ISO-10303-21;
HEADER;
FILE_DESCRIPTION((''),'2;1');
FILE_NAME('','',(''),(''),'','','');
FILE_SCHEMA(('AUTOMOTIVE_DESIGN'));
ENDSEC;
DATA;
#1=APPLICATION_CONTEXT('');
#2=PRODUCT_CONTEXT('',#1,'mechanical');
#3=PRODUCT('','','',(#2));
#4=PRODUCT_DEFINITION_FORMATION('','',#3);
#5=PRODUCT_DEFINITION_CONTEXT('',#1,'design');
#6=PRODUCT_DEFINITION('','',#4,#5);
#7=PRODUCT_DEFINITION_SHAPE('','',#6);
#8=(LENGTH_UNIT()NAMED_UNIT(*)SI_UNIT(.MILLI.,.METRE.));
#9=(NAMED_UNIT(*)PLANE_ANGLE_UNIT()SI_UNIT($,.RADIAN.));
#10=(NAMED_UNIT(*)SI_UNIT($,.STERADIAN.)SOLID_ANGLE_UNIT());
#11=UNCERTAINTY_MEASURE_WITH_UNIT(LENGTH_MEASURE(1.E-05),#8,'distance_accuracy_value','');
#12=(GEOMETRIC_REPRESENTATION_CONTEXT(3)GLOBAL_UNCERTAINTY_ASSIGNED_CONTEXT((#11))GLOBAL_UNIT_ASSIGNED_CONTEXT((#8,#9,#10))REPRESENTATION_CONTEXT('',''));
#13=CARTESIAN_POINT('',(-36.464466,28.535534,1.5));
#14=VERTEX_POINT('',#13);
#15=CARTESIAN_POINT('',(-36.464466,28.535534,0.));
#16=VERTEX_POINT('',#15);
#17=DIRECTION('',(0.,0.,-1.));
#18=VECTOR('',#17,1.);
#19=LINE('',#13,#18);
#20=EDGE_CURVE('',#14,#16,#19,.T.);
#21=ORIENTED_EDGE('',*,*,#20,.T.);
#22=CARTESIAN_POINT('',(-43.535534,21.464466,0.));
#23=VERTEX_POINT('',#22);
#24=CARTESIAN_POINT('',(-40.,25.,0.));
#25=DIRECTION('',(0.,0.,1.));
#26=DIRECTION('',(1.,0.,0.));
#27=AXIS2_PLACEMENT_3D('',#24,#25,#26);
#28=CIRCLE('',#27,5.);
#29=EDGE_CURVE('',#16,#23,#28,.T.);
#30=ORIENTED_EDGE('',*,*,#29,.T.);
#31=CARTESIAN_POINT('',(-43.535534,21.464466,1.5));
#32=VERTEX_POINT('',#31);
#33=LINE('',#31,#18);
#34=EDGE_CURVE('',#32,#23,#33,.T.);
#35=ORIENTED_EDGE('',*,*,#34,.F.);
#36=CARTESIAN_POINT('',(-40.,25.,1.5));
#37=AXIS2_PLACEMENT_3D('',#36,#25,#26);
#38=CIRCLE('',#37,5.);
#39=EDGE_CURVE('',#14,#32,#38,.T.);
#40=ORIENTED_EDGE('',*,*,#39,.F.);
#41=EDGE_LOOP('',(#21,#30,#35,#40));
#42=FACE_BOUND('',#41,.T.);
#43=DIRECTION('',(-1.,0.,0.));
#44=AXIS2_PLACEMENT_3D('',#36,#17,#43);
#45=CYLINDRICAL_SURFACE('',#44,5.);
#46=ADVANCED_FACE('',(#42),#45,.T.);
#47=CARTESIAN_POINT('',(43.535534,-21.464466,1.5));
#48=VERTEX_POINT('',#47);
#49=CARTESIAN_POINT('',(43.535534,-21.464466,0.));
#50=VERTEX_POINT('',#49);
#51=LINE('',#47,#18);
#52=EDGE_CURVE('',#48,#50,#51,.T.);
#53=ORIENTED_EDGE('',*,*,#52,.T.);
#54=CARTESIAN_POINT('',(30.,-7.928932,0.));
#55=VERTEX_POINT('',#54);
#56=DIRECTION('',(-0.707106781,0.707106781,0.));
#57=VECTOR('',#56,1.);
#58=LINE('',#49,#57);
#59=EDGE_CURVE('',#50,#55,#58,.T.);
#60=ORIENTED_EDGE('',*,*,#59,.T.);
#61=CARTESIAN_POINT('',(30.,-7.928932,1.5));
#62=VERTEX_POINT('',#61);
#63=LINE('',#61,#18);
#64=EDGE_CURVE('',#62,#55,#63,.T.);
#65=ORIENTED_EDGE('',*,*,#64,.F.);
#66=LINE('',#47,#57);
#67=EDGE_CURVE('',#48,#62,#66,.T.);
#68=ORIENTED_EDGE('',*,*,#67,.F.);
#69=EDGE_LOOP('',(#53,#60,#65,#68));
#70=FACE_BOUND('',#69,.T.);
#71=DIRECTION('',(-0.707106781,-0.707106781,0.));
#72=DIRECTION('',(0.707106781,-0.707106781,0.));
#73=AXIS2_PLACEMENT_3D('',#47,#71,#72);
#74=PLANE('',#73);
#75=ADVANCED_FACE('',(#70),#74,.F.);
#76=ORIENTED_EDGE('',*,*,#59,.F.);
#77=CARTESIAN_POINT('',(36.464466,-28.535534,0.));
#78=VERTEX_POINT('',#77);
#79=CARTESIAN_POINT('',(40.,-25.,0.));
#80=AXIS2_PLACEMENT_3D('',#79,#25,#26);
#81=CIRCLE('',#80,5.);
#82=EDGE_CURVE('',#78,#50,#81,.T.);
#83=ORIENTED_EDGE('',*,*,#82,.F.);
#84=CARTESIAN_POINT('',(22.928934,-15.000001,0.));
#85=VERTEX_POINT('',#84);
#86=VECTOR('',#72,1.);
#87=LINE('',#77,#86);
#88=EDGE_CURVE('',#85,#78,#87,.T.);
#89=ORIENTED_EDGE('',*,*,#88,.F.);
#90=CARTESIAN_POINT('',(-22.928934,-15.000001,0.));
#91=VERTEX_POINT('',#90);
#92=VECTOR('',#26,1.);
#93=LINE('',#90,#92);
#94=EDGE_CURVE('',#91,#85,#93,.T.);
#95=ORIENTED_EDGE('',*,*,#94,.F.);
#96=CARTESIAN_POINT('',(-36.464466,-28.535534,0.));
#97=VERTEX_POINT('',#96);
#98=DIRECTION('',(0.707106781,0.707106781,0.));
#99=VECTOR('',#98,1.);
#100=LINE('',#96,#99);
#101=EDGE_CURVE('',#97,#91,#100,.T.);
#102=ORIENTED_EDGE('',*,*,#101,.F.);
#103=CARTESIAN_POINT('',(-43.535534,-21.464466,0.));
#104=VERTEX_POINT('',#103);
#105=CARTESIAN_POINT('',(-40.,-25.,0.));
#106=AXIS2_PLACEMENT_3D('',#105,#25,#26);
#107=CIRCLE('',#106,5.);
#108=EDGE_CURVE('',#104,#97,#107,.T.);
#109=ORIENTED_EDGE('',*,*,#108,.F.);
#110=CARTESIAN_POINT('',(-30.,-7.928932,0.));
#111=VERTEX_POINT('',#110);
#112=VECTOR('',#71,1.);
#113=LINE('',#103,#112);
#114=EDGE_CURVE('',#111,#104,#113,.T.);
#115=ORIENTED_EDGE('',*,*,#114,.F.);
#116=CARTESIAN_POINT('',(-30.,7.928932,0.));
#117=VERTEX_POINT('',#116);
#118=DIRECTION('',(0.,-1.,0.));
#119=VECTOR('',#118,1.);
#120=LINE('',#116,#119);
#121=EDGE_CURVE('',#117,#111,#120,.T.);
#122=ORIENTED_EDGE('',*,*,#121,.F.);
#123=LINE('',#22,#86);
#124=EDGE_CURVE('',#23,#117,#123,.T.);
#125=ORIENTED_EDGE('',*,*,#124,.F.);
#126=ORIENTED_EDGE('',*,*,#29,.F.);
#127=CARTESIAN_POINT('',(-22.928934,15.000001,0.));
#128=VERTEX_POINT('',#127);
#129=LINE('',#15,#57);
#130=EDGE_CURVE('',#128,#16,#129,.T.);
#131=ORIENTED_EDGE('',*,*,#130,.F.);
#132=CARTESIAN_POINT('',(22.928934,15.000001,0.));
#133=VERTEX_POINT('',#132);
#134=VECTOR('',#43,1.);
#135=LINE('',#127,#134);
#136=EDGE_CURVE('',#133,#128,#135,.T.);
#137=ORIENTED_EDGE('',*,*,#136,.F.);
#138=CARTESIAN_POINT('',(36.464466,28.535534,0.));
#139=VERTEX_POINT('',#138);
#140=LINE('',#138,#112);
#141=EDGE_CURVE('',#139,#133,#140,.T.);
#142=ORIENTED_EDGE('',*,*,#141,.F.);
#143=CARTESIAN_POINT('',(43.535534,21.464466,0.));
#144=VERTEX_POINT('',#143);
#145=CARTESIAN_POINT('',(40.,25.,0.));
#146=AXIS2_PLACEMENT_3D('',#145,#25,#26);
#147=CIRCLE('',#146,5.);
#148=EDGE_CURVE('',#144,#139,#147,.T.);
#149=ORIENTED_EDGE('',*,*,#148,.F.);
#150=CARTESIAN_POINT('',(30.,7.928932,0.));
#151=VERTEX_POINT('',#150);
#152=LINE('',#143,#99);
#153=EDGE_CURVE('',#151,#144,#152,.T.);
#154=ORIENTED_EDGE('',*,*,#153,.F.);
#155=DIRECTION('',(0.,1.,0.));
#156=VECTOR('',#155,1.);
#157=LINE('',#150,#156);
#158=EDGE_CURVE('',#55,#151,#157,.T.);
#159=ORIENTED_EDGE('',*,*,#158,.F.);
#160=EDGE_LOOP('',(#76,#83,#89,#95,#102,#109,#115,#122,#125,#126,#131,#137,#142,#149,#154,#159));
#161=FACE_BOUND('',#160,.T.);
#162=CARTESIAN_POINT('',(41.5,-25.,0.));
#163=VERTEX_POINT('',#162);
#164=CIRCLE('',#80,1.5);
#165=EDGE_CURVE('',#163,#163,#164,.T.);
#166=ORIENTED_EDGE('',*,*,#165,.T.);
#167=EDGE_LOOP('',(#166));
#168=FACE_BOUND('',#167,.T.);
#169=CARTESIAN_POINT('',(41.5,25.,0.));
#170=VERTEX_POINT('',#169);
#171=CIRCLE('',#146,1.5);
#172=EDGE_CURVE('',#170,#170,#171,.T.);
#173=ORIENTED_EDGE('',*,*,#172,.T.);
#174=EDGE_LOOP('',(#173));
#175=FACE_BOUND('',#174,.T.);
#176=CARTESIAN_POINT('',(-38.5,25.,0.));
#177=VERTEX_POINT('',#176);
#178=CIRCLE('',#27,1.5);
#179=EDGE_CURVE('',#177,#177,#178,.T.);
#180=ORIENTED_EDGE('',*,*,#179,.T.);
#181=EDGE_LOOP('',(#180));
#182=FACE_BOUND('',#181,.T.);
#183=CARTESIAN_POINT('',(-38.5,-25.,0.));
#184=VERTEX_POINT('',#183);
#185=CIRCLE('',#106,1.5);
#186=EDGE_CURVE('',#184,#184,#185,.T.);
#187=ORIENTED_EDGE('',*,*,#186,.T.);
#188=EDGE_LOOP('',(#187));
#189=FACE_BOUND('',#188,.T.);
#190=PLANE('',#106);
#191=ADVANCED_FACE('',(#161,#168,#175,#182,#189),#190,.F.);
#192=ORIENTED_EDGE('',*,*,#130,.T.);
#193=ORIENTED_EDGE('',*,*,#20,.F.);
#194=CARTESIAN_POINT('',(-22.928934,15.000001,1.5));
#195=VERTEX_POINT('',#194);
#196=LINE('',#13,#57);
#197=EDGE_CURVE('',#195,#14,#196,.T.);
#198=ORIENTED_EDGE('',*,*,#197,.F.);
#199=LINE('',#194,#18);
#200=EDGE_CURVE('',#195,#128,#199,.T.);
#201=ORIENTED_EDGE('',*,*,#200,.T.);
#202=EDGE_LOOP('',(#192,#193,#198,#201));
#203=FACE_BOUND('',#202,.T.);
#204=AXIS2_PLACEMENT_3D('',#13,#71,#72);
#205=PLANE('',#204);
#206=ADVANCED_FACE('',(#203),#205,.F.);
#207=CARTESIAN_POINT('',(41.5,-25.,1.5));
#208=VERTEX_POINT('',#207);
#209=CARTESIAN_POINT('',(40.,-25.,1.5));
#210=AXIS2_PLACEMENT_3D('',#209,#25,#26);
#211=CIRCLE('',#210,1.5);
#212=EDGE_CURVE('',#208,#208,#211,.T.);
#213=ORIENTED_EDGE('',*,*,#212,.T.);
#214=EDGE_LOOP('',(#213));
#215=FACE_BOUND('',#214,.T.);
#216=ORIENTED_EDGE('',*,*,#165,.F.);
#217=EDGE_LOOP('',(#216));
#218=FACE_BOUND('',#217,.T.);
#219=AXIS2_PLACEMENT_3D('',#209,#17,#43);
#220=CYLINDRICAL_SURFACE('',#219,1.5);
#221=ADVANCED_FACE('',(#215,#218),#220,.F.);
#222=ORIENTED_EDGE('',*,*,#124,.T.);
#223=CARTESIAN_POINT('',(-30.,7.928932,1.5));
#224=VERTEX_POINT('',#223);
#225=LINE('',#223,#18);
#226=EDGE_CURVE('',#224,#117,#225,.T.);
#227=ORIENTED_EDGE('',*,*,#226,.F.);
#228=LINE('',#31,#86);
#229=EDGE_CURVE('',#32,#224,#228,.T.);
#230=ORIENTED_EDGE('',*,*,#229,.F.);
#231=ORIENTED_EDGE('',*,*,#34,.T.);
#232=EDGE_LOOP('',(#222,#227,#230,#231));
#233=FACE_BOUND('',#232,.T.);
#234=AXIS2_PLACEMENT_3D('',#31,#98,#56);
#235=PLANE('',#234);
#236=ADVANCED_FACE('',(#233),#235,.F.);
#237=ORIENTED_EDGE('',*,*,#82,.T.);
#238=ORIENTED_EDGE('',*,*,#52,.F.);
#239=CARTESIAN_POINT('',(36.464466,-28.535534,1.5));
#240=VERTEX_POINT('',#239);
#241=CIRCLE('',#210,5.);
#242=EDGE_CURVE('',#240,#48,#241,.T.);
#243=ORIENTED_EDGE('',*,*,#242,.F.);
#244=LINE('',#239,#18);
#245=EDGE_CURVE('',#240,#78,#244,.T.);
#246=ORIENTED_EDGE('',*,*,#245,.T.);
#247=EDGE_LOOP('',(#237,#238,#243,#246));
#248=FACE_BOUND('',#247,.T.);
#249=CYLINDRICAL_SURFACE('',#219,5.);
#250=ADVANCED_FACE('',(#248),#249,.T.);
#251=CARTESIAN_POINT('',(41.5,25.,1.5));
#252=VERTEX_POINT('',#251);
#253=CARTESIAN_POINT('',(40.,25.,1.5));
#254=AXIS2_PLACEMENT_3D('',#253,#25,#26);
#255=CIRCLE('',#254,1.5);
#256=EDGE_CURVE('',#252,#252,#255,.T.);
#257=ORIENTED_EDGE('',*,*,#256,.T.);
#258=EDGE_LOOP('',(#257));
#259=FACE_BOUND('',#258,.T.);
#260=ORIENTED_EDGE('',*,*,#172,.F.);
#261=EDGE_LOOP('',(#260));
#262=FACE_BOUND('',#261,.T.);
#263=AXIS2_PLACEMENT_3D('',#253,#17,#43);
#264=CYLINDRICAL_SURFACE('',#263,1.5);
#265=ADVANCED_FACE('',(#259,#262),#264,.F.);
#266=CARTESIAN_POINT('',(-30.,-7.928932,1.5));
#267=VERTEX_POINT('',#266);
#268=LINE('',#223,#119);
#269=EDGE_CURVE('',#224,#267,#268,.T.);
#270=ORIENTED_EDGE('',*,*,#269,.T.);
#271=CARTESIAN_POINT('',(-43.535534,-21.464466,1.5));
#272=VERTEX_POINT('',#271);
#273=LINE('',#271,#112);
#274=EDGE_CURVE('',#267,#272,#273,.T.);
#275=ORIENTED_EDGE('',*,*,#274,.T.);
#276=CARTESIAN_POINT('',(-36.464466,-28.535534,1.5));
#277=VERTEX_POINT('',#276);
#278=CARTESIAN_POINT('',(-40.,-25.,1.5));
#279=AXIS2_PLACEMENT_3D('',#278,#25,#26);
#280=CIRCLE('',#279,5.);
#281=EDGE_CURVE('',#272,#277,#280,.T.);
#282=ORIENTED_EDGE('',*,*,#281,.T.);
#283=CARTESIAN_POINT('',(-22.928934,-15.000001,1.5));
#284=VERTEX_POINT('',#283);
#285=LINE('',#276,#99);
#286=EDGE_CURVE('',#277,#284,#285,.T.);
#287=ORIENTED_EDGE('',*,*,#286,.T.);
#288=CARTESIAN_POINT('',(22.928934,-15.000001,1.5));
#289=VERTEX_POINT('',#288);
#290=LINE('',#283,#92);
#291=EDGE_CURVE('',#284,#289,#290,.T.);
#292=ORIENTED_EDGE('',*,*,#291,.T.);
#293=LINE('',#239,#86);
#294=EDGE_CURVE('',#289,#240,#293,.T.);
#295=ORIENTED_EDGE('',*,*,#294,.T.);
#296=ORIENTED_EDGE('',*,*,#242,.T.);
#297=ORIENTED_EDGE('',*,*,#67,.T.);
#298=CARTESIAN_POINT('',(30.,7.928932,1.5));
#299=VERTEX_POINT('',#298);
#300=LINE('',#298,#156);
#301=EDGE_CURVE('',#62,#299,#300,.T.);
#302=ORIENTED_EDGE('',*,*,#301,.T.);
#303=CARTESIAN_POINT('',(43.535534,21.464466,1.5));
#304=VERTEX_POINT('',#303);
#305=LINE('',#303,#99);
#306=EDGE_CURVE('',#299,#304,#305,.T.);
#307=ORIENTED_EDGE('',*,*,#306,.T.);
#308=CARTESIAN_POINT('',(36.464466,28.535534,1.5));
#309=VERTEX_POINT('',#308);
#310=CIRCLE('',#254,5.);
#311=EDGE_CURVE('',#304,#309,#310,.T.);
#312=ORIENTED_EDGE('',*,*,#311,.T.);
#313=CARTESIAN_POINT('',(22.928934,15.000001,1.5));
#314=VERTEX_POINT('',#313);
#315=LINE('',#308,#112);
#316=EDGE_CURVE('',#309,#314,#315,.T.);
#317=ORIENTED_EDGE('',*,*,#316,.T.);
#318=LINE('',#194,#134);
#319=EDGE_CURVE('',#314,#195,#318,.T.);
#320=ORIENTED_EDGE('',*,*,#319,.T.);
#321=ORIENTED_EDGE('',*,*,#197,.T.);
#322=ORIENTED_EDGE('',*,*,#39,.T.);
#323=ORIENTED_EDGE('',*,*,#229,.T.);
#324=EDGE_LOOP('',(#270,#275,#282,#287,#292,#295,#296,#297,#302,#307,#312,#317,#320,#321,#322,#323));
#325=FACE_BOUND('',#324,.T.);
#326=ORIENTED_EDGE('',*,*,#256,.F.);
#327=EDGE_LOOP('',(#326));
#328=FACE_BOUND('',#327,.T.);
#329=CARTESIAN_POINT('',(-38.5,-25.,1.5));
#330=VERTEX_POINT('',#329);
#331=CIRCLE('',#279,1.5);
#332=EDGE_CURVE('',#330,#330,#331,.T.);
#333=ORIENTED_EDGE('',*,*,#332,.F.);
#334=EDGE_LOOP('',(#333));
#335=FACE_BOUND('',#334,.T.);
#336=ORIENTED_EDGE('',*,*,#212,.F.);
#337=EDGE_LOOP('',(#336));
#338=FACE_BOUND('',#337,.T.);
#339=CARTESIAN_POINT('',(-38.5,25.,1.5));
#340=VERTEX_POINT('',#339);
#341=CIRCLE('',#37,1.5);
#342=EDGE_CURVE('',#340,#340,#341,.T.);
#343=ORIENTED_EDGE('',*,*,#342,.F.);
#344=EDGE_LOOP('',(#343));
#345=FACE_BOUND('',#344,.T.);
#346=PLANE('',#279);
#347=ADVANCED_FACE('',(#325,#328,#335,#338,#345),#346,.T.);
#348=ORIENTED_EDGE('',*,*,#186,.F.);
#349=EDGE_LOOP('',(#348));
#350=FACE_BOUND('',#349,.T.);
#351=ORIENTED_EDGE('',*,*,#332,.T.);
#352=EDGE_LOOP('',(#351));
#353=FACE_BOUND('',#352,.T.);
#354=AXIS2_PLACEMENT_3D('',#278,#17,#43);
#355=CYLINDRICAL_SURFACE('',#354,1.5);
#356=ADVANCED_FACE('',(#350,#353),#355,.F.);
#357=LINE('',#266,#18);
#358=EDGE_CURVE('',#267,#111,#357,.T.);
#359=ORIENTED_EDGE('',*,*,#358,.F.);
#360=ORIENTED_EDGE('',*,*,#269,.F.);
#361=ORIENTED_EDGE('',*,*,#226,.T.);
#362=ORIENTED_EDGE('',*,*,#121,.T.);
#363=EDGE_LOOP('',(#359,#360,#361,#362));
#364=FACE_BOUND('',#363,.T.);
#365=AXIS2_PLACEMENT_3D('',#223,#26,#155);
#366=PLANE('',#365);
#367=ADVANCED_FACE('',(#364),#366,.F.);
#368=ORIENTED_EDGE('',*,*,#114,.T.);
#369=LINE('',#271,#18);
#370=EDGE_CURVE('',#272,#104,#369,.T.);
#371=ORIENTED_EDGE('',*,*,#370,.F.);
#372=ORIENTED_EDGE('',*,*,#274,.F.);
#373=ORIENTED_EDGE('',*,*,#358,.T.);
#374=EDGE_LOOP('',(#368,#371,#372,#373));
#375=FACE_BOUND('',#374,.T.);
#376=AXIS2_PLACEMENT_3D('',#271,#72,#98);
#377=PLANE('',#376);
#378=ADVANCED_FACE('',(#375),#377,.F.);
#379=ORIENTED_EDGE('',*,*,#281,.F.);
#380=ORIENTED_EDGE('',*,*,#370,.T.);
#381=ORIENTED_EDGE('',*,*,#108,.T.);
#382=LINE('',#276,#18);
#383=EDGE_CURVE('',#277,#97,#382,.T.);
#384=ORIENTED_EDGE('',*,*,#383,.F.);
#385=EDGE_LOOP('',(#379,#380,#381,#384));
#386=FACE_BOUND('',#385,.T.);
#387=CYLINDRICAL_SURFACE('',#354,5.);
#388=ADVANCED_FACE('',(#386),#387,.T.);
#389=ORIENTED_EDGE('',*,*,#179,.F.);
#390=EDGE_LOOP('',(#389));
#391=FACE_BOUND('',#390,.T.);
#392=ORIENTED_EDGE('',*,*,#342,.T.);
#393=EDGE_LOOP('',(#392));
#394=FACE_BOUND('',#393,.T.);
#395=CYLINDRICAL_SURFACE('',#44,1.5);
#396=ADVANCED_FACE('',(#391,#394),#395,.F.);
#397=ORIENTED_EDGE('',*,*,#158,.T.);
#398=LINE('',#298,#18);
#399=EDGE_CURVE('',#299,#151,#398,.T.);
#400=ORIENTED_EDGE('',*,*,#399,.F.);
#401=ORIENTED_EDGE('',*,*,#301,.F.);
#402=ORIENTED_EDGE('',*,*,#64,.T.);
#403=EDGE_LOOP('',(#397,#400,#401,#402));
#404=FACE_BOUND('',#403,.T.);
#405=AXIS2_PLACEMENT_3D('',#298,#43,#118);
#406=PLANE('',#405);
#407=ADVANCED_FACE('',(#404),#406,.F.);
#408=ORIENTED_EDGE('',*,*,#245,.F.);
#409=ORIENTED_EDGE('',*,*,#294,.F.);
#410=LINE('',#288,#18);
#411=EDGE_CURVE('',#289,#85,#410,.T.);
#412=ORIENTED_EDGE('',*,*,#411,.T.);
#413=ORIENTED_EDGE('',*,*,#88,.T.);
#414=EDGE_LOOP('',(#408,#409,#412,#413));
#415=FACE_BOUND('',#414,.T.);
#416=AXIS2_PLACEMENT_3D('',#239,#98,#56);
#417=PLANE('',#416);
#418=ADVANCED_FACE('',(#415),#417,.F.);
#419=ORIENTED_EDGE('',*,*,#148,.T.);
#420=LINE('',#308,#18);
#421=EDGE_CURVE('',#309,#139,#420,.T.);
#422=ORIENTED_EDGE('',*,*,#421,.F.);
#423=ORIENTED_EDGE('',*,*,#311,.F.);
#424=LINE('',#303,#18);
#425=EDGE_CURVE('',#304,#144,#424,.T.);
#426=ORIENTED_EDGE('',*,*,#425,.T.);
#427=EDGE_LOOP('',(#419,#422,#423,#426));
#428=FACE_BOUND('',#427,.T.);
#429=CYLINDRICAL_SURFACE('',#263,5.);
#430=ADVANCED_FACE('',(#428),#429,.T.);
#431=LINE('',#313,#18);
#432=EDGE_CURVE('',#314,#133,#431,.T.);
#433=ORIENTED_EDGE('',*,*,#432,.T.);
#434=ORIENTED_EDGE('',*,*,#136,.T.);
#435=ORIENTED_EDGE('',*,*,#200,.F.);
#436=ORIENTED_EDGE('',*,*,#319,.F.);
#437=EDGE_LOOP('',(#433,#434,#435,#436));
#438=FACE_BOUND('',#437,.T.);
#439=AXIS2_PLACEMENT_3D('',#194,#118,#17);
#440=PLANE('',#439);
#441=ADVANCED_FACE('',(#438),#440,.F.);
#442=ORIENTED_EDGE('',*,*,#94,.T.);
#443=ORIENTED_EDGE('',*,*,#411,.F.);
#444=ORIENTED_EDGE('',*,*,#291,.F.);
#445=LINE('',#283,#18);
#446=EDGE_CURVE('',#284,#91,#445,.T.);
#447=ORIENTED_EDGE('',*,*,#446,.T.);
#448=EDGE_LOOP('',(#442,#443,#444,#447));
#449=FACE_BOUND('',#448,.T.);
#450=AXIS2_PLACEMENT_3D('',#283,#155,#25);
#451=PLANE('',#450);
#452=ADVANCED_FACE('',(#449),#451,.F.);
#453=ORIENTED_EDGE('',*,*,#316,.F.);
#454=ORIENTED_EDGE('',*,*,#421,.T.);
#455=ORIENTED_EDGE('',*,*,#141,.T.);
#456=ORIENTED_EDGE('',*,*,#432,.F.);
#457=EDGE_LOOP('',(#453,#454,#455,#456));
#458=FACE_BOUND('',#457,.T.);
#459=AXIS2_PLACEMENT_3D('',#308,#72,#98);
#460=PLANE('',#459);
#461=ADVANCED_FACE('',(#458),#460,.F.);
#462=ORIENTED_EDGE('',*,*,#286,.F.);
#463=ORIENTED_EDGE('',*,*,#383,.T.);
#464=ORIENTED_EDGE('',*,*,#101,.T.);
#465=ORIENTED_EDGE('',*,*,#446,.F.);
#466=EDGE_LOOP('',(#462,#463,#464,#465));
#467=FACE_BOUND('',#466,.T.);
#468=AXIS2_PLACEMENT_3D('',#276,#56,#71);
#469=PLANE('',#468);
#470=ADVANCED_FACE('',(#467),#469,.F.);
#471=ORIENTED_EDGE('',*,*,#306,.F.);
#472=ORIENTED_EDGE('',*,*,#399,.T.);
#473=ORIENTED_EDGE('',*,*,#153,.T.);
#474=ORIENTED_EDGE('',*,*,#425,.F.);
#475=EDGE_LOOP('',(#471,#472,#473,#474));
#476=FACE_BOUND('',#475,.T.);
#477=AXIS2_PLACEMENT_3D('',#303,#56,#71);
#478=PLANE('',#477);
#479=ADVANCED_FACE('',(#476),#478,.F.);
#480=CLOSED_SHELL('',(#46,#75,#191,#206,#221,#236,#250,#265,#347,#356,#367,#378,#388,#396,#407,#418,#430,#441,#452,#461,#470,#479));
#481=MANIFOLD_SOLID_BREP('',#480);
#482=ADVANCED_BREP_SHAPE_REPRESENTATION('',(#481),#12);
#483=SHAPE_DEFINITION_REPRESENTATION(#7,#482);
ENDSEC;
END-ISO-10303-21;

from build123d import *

# Parameters (mm, degrees)
SKETCH_1_R      = 1.5
EXTRUDE_1_DEPTH = 1.5


with BuildPart() as part:
    # 草图1 → 凸台-拉伸1 (new body)
    with BuildSketch(Plane.XY):
        with BuildLine():
            Line((-43.535533906, 21.464466094), (-30, 7.928932188))
            Line((-30, 7.928932188), (-30, -7.928932188))
            Line((-30, -7.928932188), (-43.535533906, -21.464466094))
            ThreePointArc((-43.535533906, -21.464466094), (-43.535533906, -28.535533906), (-36.464466094, -28.535533906))
            Line((-36.464466094, -28.535533906), (-22.928933621, -15.000001433))
            Line((-22.928933621, -15.000001433), (22.928933621, -15.000001433))
            Line((22.928933621, -15.000001433), (36.464466094, -28.535533906))
            ThreePointArc((36.464466094, -28.535533906), (43.535533906, -28.535533906), (43.535533906, -21.464466094))
            Line((43.535533906, -21.464466094), (30, -7.928932188))
            Line((30, -7.928932188), (30, 7.928932188))
            Line((30, 7.928932188), (43.535533906, 21.464466094))
            ThreePointArc((43.535533906, 21.464466094), (43.535533906, 28.535533906), (36.464466094, 28.535533906))
            Line((36.464466094, 28.535533906), (22.928933621, 15.000001433))
            Line((22.928933621, 15.000001433), (-22.928933621, 15.000001433))
            Line((-22.928933621, 15.000001433), (-36.464466094, 28.535533906))
            ThreePointArc((-36.464466094, 28.535533906), (-43.535533906, 28.535533906), (-43.535533906, 21.464466094))
        make_face()
        with Locations((-40, 25)):
            Circle(SKETCH_1_R, mode=Mode.SUBTRACT)
        with Locations((40, 25)):
            Circle(SKETCH_1_R, mode=Mode.SUBTRACT)
        with Locations((40, -25)):
            Circle(SKETCH_1_R, mode=Mode.SUBTRACT)
        with Locations((-40, -25)):
            Circle(SKETCH_1_R, mode=Mode.SUBTRACT)
    extrude(amount=EXTRUDE_1_DEPTH)


solid = part.part
